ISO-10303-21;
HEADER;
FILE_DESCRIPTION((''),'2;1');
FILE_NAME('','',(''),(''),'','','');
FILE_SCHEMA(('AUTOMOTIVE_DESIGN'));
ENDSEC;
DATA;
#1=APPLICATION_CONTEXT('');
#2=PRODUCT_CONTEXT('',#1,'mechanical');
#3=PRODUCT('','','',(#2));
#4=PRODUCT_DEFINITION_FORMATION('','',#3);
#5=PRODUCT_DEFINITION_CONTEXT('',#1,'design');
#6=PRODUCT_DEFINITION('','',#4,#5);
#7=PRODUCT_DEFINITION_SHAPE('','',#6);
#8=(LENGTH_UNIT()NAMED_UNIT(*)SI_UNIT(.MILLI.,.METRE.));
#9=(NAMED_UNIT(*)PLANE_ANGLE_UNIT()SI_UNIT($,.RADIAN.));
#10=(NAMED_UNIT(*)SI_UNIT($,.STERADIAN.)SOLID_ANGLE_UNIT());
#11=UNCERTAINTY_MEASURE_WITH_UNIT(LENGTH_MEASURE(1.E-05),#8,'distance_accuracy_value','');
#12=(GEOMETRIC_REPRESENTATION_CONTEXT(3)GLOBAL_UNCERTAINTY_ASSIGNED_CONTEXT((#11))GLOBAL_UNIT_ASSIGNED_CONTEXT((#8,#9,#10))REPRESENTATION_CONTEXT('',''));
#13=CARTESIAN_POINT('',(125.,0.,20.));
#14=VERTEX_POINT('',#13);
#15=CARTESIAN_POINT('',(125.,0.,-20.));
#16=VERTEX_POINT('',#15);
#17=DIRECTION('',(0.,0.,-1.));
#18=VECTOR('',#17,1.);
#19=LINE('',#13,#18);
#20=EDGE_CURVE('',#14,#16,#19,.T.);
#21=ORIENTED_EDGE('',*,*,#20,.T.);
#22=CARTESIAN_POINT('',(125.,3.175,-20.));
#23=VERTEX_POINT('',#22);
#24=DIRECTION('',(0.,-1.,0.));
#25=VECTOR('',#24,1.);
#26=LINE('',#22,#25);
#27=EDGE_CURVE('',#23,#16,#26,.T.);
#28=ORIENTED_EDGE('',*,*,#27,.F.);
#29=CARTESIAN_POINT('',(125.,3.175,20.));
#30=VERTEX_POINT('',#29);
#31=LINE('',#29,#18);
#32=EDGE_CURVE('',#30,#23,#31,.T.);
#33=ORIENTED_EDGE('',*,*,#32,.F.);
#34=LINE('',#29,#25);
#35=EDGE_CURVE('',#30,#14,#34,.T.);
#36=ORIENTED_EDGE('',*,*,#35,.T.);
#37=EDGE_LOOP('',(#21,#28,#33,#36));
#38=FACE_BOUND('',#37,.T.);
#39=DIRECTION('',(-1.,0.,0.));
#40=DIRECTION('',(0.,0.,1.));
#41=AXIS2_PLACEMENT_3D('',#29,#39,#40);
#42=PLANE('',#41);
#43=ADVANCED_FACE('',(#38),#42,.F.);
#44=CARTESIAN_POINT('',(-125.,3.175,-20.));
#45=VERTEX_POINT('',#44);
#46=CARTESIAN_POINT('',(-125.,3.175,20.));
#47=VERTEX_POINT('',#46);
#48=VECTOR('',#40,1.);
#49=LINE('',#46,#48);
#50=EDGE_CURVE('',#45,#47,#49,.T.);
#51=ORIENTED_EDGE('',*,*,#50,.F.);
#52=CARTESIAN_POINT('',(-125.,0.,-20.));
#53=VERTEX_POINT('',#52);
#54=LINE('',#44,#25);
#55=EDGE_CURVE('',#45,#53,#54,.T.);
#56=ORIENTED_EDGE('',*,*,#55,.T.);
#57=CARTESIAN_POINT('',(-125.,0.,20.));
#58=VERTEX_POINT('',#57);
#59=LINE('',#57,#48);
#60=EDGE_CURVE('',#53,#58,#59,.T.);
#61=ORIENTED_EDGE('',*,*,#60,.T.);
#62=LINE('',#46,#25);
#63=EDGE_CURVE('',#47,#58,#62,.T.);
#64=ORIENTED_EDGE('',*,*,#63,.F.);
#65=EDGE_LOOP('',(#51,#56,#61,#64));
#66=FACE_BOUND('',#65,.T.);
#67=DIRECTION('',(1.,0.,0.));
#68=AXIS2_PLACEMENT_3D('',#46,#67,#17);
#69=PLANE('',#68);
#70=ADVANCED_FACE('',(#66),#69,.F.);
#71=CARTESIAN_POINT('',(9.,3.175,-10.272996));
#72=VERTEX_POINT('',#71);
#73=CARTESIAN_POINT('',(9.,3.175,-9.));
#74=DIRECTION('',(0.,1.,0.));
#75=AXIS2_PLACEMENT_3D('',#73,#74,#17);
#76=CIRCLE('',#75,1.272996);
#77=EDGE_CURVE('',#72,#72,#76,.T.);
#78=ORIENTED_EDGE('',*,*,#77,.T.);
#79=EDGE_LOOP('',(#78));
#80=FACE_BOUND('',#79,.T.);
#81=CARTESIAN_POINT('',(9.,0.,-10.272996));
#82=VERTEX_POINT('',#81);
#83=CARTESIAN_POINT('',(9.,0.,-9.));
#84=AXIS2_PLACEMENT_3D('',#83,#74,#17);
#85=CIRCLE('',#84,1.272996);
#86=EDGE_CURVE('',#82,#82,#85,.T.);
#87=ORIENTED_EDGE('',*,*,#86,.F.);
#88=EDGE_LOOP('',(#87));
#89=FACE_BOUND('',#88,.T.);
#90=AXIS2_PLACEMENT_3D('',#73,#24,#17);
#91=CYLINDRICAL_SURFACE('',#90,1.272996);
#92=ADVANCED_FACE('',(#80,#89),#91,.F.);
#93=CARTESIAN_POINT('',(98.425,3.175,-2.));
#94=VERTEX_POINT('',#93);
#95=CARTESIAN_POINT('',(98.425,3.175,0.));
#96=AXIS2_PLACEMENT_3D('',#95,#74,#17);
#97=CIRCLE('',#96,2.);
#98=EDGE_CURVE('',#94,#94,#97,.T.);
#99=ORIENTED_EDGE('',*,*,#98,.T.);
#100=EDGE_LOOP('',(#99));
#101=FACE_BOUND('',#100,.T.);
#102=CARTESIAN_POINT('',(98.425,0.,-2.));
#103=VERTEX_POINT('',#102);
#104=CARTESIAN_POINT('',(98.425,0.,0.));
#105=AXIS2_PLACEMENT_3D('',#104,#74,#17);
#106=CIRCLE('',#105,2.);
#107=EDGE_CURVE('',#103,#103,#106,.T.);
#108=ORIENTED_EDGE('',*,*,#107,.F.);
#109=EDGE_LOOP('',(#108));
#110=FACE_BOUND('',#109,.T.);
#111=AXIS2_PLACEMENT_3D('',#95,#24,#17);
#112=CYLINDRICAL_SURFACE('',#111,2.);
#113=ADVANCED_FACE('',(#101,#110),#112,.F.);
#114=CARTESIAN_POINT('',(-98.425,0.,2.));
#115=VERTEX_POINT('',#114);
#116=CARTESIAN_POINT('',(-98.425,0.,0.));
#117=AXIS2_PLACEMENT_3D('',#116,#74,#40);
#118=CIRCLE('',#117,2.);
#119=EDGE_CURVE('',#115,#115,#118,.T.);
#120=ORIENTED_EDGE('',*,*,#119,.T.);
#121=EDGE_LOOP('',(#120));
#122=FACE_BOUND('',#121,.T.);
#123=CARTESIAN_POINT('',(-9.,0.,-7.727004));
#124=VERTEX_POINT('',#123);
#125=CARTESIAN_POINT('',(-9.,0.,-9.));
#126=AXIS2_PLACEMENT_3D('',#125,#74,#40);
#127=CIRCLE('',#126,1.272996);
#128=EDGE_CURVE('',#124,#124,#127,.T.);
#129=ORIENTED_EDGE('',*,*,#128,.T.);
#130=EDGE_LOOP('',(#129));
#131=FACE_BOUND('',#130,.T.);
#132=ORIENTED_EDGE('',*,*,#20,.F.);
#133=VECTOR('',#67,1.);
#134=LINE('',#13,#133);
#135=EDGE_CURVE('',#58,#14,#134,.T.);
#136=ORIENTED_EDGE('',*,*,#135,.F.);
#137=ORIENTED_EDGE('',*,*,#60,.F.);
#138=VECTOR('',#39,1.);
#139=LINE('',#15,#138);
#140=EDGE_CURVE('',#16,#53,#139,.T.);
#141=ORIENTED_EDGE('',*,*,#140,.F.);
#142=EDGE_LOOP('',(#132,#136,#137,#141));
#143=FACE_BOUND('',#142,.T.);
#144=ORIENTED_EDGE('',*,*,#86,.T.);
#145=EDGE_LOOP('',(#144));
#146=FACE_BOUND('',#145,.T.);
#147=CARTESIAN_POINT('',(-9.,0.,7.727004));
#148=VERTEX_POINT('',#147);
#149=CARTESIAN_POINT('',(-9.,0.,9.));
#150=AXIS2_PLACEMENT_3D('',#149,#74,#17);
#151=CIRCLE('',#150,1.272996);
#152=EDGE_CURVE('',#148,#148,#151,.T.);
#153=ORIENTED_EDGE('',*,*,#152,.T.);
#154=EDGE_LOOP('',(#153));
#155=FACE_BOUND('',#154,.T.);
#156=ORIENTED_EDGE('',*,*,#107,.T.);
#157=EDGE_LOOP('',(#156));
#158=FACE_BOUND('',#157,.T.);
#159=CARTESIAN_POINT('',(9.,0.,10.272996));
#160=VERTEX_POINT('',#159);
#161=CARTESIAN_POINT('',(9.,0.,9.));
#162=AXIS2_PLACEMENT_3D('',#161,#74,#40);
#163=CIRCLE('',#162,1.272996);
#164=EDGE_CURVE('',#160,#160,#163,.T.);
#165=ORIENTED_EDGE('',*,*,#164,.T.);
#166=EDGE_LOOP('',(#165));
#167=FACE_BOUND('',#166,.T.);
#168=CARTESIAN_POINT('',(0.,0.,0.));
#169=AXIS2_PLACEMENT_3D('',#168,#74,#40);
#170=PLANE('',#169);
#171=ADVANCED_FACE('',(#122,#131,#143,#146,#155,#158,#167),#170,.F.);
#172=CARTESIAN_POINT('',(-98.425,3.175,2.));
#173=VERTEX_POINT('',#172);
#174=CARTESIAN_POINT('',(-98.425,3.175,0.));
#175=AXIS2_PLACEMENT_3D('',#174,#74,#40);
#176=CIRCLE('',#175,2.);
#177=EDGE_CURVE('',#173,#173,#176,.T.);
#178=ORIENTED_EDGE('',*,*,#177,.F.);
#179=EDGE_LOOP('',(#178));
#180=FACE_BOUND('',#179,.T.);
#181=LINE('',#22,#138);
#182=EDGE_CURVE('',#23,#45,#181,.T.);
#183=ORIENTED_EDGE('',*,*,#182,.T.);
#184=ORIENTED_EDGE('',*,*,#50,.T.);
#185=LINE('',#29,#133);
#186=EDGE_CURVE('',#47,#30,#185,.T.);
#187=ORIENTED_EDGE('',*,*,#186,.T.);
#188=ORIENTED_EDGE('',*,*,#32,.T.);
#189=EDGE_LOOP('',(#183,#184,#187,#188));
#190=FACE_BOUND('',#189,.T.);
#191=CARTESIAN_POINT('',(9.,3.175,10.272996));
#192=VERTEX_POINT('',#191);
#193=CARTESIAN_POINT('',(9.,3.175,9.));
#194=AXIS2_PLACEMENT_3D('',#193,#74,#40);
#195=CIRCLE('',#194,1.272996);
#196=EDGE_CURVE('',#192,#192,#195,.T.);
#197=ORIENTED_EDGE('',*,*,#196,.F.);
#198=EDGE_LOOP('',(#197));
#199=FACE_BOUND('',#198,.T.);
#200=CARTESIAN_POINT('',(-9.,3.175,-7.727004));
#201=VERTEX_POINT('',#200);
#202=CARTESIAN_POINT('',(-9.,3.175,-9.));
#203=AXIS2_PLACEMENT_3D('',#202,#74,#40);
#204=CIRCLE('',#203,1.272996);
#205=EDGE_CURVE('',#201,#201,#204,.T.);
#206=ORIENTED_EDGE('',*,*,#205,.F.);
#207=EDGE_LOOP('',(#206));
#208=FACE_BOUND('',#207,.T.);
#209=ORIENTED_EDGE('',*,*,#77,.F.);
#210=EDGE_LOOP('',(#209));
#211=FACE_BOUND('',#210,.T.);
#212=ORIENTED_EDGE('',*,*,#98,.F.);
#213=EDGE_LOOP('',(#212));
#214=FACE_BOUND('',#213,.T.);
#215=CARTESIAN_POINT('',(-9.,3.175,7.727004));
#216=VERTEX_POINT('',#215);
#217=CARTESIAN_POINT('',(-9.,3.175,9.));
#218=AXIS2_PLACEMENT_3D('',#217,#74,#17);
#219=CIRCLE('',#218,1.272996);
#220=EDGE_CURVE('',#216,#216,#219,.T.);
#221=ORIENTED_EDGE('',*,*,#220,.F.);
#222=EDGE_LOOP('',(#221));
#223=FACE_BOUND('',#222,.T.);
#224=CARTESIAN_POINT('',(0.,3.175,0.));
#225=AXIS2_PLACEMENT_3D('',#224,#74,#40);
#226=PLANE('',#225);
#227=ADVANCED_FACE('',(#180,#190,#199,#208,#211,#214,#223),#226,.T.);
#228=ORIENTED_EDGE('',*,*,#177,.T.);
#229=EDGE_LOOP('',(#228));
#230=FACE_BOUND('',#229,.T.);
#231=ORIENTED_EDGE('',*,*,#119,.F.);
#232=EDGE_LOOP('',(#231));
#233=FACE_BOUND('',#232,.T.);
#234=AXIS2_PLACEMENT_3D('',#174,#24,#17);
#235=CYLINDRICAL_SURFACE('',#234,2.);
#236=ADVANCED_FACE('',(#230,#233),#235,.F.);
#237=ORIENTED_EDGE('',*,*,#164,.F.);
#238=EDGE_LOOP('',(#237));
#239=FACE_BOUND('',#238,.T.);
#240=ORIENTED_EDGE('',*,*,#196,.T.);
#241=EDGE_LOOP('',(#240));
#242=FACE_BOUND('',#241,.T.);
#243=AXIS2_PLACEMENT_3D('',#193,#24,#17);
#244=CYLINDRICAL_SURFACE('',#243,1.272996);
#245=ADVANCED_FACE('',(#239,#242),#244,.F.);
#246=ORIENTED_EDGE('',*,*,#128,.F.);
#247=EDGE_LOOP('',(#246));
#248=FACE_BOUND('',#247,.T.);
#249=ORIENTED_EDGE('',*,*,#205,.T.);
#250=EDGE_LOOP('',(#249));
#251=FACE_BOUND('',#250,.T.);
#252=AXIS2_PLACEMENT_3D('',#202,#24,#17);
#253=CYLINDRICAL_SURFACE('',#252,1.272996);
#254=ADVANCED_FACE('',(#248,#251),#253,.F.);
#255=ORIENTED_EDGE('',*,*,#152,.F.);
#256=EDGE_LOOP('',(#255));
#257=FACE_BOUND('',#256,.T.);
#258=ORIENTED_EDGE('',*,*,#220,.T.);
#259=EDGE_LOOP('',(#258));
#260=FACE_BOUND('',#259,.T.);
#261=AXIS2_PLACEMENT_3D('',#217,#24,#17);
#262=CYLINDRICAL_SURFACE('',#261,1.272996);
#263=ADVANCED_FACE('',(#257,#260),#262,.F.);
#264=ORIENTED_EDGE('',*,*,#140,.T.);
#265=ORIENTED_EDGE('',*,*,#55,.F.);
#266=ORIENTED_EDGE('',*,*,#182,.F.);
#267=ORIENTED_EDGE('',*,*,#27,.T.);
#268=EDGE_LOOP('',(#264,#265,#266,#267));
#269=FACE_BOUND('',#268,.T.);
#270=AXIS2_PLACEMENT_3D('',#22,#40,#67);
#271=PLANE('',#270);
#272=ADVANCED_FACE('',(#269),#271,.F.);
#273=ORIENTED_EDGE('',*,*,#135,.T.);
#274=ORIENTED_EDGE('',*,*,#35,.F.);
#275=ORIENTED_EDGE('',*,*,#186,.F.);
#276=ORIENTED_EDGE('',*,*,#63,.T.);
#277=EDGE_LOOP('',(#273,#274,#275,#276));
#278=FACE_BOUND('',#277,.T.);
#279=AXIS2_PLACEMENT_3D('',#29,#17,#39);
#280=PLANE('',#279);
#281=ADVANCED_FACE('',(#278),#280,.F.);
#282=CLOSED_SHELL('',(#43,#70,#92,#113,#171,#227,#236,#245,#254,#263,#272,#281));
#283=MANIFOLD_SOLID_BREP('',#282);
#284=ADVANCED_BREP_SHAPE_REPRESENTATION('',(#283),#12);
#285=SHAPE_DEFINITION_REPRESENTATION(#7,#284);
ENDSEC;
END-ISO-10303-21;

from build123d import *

# Parameters (mm, degrees)
SKETCH1_W           = 250
SKETCH1_H           = 40
SKETCH1_R           = 2
SKETCH1_R_2         = 1.272995864
BOSS_EXTRUDE1_DEPTH = 3.175


with BuildPart() as part:
    # Sketch1 → Boss-Extrude1 (new body)
    with BuildSketch(Plane(origin=(0, 0, 0), x_dir=(1, 0, 0), z_dir=(0, 1, 0))):
        Rectangle(SKETCH1_W, SKETCH1_H)
        with Locations((-98.425, 0)):
            Circle(SKETCH1_R, mode=Mode.SUBTRACT)
        with Locations((98.425, 0)):
            Circle(SKETCH1_R, mode=Mode.SUBTRACT)
        with Locations((-9, 9)):
            Circle(SKETCH1_R_2, mode=Mode.SUBTRACT)
        with Locations((9, 9)):
            Circle(SKETCH1_R_2, mode=Mode.SUBTRACT)
        with Locations((9, -9)):
            Circle(SKETCH1_R_2, mode=Mode.SUBTRACT)
        with Locations((-9, -9)):
            Circle(SKETCH1_R_2, mode=Mode.SUBTRACT)
    extrude(amount=BOSS_EXTRUDE1_DEPTH)


solid = part.part
